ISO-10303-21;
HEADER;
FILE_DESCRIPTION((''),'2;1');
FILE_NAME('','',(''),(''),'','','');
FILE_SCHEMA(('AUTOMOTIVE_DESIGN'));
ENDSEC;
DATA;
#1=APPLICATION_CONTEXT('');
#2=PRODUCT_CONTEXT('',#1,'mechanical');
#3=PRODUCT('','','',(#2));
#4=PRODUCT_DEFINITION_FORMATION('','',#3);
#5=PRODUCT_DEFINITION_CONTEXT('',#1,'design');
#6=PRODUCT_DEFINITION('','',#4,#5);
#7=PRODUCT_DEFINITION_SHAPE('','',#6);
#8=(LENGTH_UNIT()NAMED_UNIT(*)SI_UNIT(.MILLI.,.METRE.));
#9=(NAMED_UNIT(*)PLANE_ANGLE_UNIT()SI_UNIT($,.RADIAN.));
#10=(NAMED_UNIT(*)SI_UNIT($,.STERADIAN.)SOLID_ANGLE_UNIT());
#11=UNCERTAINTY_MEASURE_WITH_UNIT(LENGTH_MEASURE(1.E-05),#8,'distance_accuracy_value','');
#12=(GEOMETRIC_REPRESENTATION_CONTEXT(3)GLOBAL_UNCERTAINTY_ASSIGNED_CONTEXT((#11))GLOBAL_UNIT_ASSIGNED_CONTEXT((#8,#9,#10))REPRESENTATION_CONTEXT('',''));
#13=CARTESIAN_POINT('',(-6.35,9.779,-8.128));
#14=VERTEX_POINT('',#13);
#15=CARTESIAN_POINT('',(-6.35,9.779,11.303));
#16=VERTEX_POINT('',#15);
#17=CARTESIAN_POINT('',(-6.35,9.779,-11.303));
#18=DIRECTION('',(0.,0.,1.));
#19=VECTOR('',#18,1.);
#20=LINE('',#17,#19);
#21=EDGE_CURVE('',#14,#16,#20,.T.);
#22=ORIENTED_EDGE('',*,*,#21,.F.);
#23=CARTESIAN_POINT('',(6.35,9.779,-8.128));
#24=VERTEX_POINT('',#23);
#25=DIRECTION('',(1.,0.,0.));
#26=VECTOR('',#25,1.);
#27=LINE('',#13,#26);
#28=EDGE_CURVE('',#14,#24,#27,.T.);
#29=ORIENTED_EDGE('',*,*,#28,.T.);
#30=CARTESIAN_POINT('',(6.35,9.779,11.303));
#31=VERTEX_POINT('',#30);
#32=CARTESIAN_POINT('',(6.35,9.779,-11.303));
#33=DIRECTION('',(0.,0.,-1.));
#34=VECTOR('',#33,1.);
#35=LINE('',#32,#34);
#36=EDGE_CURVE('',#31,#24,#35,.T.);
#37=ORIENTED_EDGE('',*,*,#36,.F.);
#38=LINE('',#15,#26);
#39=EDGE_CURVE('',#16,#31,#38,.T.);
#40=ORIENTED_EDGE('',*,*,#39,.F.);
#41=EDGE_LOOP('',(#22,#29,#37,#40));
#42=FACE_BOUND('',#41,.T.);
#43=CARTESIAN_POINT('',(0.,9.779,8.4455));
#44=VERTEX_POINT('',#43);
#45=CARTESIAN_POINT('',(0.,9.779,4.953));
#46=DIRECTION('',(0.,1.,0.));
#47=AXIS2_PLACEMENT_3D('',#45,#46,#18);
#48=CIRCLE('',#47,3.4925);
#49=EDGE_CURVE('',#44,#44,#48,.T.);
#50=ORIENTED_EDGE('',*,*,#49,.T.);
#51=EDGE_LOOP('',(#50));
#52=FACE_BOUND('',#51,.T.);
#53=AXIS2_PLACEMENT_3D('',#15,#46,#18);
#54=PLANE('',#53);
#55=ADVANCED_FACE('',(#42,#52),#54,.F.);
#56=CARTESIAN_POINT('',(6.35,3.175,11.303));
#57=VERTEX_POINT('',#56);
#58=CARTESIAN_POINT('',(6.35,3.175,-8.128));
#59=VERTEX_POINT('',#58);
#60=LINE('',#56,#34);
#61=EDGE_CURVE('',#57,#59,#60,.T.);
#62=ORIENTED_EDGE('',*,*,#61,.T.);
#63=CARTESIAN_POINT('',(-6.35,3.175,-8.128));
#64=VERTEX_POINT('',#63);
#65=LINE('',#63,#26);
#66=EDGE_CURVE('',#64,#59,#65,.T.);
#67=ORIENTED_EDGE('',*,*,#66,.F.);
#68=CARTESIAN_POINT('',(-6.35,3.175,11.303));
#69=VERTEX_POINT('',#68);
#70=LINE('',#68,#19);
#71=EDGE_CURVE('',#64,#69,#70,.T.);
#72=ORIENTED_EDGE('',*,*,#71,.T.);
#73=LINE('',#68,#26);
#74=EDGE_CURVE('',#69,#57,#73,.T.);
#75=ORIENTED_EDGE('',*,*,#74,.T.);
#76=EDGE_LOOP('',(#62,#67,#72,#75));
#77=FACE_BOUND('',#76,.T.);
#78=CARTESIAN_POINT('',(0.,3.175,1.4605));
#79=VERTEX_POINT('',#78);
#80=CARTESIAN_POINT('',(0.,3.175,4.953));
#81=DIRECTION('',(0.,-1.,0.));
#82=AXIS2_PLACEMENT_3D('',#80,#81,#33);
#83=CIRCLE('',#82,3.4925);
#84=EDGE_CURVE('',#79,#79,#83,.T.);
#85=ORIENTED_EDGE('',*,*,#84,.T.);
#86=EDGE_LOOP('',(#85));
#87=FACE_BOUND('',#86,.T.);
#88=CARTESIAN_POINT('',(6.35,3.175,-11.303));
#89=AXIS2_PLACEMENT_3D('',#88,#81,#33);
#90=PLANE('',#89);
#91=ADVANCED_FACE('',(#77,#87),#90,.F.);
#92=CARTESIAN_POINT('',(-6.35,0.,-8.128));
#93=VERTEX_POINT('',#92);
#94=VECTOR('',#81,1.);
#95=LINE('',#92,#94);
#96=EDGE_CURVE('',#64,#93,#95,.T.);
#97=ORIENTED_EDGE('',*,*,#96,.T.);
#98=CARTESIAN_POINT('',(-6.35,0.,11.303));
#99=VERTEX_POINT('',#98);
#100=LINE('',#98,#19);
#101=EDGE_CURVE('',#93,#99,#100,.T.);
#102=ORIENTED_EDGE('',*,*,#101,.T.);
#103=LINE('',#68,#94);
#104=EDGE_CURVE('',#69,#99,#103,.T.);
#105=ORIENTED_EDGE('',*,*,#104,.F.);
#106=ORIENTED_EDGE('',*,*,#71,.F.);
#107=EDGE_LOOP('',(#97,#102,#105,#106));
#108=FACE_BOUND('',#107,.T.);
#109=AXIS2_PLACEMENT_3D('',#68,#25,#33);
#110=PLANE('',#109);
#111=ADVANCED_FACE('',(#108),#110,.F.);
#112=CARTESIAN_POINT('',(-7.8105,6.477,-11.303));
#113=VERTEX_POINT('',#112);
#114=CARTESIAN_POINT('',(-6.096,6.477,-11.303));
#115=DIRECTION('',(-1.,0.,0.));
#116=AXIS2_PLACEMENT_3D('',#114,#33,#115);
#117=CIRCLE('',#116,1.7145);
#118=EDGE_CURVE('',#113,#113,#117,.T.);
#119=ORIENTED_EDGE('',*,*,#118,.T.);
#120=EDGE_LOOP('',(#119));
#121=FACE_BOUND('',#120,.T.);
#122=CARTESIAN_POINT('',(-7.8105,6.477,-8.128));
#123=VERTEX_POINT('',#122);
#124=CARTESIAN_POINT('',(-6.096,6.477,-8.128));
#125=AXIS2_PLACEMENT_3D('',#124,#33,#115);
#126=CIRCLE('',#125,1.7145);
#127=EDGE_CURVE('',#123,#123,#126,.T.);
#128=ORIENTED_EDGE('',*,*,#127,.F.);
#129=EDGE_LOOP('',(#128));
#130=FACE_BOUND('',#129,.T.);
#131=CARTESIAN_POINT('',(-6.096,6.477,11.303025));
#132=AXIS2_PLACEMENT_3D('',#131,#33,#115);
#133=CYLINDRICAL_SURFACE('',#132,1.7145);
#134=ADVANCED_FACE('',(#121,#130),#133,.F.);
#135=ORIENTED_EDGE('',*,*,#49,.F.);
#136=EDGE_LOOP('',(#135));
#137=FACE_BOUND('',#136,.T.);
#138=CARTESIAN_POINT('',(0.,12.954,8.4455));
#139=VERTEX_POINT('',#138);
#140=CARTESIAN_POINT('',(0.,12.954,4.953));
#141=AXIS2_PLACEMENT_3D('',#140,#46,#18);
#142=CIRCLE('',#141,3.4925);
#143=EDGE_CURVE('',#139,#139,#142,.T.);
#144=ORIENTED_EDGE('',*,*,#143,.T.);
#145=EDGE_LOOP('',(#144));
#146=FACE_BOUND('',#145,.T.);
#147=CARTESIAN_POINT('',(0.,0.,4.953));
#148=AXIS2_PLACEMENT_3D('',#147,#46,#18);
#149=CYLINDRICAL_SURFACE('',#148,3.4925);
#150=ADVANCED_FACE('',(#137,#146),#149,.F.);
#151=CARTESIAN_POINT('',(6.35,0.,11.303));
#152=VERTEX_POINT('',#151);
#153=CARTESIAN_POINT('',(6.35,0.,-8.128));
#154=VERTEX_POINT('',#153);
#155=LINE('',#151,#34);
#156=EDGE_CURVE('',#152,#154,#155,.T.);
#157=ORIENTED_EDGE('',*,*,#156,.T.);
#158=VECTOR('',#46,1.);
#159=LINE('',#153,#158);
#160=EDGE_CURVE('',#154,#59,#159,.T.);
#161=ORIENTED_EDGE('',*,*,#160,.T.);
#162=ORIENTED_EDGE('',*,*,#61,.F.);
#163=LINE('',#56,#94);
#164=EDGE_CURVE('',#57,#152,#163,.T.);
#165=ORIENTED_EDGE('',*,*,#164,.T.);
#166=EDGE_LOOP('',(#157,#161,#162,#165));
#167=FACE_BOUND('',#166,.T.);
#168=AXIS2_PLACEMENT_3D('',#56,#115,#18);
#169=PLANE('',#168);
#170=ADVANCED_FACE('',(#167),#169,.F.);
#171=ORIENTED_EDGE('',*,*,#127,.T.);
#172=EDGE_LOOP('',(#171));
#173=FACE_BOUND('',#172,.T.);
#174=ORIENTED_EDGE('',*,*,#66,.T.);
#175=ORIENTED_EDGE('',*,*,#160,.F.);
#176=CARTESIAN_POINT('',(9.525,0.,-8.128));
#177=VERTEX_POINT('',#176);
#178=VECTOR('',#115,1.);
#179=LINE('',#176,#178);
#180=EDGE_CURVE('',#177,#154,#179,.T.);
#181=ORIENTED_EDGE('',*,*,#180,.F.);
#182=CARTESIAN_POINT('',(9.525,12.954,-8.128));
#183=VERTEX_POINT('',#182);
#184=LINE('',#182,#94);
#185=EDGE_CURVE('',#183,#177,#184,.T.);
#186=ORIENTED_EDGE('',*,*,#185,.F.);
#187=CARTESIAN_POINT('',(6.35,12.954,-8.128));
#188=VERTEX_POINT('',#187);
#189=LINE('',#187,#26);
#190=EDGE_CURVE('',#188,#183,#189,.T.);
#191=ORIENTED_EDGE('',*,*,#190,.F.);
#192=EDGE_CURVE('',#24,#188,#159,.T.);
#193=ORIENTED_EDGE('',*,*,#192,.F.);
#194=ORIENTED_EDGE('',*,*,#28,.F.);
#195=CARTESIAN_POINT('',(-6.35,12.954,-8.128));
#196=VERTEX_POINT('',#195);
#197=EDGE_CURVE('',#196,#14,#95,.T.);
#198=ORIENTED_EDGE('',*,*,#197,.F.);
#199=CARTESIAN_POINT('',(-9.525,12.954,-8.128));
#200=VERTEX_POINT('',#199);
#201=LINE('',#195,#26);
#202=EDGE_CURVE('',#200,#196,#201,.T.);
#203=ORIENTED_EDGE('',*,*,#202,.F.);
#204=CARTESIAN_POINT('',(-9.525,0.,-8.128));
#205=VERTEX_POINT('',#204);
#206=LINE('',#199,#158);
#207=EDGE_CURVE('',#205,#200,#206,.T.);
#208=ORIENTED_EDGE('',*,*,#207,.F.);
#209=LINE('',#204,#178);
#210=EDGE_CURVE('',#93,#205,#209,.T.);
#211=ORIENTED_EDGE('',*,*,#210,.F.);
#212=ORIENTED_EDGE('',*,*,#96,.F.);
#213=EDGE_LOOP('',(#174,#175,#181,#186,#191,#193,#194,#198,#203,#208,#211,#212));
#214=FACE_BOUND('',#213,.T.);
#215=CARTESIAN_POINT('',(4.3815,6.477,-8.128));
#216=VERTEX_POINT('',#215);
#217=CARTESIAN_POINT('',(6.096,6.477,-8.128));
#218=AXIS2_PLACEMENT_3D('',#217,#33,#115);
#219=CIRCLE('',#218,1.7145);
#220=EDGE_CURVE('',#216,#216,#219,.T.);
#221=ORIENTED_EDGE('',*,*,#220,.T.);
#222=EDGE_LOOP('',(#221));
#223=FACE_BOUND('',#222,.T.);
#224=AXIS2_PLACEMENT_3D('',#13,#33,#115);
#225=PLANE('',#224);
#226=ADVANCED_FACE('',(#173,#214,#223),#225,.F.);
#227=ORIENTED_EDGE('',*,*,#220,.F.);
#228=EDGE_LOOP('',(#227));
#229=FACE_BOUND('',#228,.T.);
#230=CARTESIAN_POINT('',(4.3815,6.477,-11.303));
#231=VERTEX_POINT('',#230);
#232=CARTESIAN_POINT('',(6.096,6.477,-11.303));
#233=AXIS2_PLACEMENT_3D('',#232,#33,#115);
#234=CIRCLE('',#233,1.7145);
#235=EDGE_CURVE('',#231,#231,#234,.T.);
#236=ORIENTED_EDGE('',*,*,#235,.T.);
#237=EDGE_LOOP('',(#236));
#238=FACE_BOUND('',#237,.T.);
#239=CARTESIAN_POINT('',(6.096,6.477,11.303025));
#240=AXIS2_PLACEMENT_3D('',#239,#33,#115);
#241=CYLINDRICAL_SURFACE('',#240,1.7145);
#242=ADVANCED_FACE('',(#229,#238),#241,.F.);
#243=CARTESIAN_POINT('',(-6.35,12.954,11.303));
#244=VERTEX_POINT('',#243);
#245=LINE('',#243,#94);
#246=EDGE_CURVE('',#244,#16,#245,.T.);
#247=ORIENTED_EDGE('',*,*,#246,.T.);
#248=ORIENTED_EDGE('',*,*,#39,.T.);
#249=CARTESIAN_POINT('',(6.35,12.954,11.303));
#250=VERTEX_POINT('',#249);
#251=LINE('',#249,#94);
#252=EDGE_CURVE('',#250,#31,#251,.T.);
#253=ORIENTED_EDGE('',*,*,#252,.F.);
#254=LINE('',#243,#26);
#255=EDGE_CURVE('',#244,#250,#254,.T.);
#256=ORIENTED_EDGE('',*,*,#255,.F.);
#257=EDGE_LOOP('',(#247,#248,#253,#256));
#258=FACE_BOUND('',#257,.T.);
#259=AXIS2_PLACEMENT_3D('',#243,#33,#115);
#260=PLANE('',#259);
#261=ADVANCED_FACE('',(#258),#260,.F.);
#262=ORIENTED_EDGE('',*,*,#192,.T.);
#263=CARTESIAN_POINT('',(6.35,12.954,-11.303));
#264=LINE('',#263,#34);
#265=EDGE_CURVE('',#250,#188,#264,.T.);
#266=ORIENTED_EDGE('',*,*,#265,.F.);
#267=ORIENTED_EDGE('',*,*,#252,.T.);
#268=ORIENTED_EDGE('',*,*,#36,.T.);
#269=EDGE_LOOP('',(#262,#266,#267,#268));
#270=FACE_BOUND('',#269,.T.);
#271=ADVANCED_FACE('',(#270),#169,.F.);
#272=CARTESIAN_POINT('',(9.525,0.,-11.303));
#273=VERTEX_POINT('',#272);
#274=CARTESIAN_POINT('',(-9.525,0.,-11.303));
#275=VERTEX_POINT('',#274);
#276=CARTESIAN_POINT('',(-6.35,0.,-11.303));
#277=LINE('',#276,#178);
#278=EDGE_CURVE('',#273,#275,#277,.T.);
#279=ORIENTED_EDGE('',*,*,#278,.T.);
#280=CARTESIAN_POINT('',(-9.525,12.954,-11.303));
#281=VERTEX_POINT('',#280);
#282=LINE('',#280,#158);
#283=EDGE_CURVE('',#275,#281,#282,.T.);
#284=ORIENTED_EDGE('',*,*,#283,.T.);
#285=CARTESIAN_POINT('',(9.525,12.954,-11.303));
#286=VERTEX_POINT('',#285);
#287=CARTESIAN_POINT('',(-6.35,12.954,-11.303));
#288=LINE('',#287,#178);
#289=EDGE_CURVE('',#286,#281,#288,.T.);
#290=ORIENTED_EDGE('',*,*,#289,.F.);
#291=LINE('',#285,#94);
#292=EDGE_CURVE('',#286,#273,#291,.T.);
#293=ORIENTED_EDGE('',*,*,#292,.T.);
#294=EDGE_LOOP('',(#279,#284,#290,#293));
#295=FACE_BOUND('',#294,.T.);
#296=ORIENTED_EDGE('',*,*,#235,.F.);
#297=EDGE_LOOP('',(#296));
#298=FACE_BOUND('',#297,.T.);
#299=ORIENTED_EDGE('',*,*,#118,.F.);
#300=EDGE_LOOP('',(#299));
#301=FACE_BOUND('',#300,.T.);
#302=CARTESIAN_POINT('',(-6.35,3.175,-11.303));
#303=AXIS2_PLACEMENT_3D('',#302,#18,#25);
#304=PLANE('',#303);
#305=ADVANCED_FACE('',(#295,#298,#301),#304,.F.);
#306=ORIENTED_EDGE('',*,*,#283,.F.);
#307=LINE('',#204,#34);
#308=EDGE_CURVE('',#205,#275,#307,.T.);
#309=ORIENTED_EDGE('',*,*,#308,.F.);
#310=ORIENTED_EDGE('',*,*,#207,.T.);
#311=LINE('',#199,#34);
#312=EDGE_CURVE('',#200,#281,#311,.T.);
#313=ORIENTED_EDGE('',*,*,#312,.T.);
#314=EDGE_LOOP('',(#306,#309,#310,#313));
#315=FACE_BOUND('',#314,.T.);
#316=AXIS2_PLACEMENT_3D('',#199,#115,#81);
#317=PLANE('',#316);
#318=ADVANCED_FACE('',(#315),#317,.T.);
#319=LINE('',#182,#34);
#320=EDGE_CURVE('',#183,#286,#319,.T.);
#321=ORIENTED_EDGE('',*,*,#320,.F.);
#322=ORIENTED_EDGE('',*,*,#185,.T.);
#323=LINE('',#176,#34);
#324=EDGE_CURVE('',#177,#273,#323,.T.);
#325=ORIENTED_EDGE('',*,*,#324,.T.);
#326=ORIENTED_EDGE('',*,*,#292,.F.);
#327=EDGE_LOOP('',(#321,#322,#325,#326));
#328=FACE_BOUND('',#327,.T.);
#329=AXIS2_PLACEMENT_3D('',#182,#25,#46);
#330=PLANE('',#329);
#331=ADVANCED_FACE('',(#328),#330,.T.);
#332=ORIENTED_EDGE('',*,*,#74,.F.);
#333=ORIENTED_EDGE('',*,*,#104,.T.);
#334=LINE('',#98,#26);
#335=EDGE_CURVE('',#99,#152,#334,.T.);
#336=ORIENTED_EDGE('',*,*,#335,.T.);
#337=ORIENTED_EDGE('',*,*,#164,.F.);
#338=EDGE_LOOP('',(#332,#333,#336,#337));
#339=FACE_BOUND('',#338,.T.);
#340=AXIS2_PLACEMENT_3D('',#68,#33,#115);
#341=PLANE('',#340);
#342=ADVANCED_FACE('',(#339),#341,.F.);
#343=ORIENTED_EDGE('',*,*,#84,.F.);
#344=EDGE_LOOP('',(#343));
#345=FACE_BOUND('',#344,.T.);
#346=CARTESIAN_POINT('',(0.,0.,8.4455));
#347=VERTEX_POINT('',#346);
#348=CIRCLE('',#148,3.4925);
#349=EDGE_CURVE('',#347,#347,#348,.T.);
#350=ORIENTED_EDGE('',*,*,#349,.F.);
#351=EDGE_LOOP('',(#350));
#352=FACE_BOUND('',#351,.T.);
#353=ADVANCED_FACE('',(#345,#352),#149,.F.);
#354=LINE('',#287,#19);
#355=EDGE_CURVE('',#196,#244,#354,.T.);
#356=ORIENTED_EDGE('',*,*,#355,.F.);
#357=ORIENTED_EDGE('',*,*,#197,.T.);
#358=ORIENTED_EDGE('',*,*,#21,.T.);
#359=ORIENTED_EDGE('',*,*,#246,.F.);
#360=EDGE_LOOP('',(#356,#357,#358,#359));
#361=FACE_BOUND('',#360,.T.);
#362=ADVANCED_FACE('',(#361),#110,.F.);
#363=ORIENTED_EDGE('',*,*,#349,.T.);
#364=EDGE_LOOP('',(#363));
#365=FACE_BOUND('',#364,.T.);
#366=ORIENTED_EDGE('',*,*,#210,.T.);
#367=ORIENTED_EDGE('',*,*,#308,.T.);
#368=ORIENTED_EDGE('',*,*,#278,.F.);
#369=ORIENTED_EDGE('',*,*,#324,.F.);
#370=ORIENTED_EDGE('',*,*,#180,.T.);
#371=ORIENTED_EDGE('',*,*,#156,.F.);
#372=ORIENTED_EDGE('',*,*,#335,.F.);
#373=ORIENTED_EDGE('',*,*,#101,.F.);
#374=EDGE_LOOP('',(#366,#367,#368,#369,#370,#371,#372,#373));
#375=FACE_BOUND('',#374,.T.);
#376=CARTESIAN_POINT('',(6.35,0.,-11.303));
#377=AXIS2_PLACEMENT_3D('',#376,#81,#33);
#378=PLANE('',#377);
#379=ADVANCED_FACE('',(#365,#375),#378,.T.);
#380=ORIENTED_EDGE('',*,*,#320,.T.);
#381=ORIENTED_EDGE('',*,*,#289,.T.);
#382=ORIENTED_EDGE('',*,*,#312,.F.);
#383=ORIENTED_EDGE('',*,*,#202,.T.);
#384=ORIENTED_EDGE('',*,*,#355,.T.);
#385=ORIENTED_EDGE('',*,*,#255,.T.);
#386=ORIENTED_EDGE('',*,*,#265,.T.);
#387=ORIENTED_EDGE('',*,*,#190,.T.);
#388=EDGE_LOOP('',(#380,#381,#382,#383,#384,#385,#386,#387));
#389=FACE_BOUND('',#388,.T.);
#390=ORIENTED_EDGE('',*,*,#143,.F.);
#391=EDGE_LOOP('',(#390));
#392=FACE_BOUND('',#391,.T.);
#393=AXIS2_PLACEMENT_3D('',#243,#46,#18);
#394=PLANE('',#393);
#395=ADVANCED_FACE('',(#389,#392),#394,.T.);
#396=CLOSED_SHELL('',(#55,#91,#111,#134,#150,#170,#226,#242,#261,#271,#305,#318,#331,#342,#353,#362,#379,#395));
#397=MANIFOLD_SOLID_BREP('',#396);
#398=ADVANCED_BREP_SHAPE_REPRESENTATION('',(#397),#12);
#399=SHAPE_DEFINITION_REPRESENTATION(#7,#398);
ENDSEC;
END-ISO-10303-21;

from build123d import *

# Parameters (mm, degrees)
SKETCH1_W                  = 12.7
SKETCH1_H                  = 22.606
BOSS_EXTRUDE1_DEPTH        = 3.175
SKETCH2_W                  = 12.7
SKETCH2_H                  = 3.175
BOSS_EXTRUDE2_DEPTH        = 6.604
SKETCH3_W                  = 12.7
SKETCH3_H                  = 22.606
BOSS_EXTRUDE3_DEPTH        = 3.175
SKETCH4_R                  = 3.4925
CUT_EXTRUDE1_DEPTH         = 13.954
SKETCH6_W                  = 3.175
SKETCH6_H                  = 12.954
BOSS_EXTRUDE4_DEPTH        = 3.175
SKETCH5_R                  = 1.7145
CUT_FOR_MOUNT_SCREWS_DEPTH = 23.606


with BuildPart() as part:
    # Sketch1 → Boss-Extrude1 (new body)
    with BuildSketch(Plane(origin=(0, 0, 0), x_dir=(1, 0, 0), z_dir=(0, 1, 0))):
        Rectangle(SKETCH1_W, SKETCH1_H)
    extrude(amount=BOSS_EXTRUDE1_DEPTH)

    # Sketch2 → Boss-Extrude2 (add)
    with BuildSketch(Plane(origin=(0, 3.175, 0), x_dir=(1, 0, 0), z_dir=(0, 1, 0))):
        with Locations((0, 9.7155)):
            Rectangle(SKETCH2_W, SKETCH2_H)
    extrude(amount=BOSS_EXTRUDE2_DEPTH)

    # Sketch3 → Boss-Extrude3 (add)
    with BuildSketch(Plane(origin=(0, 9.779, 0), x_dir=(1, 0, 0), z_dir=(0, 1, 0))):
        Rectangle(SKETCH3_W, SKETCH3_H)
    extrude(amount=BOSS_EXTRUDE3_DEPTH)

    # Sketch4 → Cut-Extrude1 (cut, through all)
    with BuildSketch(Plane(origin=(0, 12.954, 0), x_dir=(1, 0, 0), z_dir=(0, 1, 0))):
        with Locations((0, -4.953)):
            Circle(SKETCH4_R)
    extrude(amount=-CUT_EXTRUDE1_DEPTH, mode=Mode.SUBTRACT)

    # Sketch6 → Boss-Extrude4 (add)
    with BuildSketch(Plane(origin=(0, 0, -11.303), x_dir=(-1, 0, 0), z_dir=(0, 0, -1))):
        with Locations((-7.9375, 6.477)):
            Rectangle(SKETCH6_W, SKETCH6_H)
        with Locations((7.9375, 6.477)):
            Rectangle(SKETCH6_W, SKETCH6_H)
    extrude(amount=-BOSS_EXTRUDE4_DEPTH)

    # Sketch5 → cut for mount screws (cut, through all)
    with BuildSketch(Plane(origin=(0, 0, -11.303), x_dir=(-1, 0, 0), z_dir=(0, 0, -1))):
        with Locations((6.096, 6.477)):
            Circle(SKETCH5_R)
        with Locations((-6.096, 6.477)):
            Circle(SKETCH5_R)
    extrude(amount=-CUT_FOR_MOUNT_SCREWS_DEPTH, mode=Mode.SUBTRACT)


solid = part.part
